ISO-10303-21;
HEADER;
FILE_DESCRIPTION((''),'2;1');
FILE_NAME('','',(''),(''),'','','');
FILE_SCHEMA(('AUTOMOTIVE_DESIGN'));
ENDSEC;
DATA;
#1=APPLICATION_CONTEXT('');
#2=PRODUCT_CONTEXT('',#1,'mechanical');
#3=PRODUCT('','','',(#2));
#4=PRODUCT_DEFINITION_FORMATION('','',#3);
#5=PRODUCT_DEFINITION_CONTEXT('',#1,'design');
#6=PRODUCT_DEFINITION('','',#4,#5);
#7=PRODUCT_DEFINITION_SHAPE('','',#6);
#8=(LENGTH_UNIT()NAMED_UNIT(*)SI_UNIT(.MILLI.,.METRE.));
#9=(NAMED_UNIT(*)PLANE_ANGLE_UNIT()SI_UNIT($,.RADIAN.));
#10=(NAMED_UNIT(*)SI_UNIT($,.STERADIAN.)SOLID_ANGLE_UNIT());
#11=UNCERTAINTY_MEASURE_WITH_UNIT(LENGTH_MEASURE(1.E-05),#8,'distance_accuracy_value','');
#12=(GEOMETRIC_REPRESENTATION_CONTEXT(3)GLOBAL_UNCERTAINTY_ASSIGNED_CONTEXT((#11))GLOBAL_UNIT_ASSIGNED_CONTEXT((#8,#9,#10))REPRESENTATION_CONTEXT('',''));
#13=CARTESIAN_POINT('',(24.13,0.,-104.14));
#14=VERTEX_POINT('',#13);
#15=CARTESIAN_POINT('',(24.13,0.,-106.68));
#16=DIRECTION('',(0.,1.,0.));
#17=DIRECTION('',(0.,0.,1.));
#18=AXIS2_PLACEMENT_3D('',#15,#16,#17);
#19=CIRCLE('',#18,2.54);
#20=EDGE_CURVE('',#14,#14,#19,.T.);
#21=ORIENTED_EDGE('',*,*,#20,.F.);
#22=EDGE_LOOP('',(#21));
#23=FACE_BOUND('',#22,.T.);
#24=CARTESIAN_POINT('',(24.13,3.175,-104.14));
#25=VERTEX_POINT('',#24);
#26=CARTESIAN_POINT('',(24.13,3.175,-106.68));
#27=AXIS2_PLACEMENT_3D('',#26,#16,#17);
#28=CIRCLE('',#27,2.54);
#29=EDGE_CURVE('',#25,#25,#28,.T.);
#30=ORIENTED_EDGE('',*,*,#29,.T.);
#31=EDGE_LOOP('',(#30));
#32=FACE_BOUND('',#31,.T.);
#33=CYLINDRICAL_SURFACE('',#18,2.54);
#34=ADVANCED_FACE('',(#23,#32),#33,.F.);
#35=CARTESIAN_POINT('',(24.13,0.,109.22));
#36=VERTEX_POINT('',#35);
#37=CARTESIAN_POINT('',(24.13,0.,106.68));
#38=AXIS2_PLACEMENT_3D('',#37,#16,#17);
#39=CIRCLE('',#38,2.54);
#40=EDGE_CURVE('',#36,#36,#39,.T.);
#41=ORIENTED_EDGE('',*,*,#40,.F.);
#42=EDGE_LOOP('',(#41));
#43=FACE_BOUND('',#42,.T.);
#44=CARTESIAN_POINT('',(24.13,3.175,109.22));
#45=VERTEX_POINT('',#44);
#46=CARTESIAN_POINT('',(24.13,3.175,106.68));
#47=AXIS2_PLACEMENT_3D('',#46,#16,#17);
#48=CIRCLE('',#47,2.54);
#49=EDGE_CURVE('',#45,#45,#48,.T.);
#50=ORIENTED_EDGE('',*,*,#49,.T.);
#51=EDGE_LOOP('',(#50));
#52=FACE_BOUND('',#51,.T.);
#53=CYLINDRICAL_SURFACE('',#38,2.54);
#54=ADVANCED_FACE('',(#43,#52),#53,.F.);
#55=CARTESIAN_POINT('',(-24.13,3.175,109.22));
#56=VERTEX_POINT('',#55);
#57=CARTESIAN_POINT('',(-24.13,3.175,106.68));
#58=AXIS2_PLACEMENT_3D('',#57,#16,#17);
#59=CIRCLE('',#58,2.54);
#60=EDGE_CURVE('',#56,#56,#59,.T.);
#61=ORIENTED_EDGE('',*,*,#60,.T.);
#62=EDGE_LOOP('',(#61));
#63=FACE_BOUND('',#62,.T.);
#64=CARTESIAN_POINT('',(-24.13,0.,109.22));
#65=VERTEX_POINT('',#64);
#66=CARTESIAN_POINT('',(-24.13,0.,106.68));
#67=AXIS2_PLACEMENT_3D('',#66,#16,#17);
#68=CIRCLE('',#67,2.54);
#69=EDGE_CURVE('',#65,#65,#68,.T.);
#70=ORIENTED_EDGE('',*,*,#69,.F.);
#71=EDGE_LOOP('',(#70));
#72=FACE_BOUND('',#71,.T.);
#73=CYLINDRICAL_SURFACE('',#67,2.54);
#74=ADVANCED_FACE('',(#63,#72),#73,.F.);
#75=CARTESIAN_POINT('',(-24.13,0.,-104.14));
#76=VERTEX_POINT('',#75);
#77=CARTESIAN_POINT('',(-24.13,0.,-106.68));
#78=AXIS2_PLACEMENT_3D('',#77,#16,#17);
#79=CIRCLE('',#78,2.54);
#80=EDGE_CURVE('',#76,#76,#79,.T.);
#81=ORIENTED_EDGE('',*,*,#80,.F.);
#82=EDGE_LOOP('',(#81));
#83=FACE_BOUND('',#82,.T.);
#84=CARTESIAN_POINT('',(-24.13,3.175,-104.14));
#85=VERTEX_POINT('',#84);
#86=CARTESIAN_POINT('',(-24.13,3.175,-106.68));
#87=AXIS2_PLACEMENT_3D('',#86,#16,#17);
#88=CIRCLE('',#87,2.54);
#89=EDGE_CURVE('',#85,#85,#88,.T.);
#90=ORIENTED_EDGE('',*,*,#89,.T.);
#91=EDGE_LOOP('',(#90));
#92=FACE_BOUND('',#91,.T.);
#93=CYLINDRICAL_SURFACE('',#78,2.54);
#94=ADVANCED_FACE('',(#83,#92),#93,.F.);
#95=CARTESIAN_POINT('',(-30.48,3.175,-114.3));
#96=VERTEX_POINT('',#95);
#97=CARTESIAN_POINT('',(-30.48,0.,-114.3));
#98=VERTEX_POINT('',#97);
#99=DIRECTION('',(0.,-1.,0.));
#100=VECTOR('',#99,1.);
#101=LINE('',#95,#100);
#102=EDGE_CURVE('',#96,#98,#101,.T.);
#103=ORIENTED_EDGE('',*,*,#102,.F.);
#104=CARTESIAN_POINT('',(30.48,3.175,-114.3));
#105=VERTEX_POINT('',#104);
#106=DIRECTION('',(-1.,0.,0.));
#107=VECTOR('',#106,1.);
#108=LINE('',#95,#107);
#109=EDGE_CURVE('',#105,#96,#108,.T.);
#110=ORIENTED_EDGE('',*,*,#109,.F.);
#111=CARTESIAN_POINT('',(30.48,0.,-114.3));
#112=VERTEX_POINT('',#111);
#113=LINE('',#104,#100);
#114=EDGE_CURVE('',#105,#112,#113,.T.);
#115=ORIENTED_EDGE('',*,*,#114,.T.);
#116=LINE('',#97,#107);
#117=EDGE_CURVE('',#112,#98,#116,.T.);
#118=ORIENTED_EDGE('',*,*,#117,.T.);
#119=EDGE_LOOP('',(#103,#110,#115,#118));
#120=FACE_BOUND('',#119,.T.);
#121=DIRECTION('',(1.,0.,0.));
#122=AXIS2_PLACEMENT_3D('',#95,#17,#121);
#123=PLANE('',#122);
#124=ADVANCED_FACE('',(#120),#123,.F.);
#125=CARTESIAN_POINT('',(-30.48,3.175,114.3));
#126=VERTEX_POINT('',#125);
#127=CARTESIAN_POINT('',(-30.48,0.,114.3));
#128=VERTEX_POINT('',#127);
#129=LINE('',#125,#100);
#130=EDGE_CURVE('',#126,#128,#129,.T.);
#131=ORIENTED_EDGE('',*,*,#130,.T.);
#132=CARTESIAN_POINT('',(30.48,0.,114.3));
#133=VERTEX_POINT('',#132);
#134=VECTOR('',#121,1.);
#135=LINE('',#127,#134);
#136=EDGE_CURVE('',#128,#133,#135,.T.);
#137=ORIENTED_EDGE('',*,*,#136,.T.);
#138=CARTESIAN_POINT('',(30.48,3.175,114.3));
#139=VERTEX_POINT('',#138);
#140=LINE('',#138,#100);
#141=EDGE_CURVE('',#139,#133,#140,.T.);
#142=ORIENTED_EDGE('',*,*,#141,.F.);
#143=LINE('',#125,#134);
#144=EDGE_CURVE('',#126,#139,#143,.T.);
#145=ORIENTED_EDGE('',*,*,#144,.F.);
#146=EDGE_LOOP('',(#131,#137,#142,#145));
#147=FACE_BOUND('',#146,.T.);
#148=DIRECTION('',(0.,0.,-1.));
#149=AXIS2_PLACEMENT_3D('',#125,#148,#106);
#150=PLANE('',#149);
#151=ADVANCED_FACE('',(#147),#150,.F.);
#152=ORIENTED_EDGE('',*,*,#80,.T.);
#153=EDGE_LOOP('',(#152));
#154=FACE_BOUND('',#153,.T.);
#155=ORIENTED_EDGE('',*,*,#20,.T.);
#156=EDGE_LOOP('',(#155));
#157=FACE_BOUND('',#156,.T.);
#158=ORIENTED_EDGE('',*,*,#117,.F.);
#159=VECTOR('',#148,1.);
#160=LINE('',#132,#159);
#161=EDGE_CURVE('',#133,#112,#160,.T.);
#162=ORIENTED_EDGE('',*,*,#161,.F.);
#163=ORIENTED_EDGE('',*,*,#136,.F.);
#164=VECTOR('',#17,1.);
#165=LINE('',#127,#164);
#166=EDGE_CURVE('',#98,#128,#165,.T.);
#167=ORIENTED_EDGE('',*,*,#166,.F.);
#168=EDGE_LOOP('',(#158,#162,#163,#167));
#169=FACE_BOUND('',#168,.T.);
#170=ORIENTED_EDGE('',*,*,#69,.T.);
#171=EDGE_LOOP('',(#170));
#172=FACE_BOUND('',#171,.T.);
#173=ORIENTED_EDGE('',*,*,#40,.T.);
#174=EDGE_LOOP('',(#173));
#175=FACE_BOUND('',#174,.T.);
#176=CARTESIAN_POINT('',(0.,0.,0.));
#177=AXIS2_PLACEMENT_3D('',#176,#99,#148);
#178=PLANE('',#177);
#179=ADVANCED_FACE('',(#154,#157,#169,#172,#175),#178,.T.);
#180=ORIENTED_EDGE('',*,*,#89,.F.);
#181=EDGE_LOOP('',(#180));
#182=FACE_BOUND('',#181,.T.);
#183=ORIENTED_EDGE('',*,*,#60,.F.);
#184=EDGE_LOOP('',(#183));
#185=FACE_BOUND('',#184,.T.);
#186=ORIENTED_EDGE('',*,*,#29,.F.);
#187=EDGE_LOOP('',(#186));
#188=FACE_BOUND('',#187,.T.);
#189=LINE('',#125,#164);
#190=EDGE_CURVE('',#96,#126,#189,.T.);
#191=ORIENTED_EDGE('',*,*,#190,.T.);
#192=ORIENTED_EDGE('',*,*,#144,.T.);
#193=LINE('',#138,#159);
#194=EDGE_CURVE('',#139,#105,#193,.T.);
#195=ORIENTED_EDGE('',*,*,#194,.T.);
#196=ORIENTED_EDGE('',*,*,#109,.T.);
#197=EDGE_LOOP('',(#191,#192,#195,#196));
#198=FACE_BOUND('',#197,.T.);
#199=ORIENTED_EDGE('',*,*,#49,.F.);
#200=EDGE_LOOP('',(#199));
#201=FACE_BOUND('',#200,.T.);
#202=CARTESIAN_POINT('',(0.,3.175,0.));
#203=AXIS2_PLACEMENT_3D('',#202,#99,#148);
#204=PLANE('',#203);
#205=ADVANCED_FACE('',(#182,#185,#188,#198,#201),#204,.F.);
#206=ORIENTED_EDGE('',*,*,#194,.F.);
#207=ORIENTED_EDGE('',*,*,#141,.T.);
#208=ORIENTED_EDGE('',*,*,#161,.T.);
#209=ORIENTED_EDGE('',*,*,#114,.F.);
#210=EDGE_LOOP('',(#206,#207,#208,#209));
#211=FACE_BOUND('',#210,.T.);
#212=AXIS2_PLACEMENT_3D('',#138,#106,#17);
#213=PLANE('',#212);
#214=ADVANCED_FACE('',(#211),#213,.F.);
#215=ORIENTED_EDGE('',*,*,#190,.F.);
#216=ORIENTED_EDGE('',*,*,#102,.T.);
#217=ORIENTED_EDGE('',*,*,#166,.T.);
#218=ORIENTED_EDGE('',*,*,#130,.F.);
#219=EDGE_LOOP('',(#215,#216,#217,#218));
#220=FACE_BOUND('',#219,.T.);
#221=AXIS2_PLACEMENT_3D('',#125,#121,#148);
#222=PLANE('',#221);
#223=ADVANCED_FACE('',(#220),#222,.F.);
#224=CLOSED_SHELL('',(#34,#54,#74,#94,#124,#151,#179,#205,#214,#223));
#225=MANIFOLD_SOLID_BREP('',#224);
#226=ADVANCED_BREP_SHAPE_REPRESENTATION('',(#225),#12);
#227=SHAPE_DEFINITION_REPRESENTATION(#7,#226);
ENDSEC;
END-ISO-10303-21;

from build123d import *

# Parameters (mm, degrees)
SKETCH1_W           = 60.96
SKETCH1_H           = 228.6
BOSS_EXTRUDE1_DEPTH = 3.175
SKETCH2_R           = 2.54
CUT_EXTRUDE1_DEPTH  = 119.336811792


with BuildPart() as part:
    # Sketch1 → Boss-Extrude1 (new body)
    with BuildSketch(Plane(origin=(0, 0, 0), x_dir=(1, 0, 0), z_dir=(0, 1, 0))):
        Rectangle(SKETCH1_W, SKETCH1_H)
    extrude(amount=BOSS_EXTRUDE1_DEPTH)

    # Sketch2 → Cut-Extrude1 (cut, through all)
    with BuildSketch(Plane(origin=(0, 3.175, 0), x_dir=(1, 0, 0), z_dir=(0, 1, 0))):
        with Locations(Location((24.13, 106.68, 0), (0, 0, 270))):
            Circle(SKETCH2_R)
        with Locations(Location((-24.13, 106.68, 0), (0, 0, 270))):
            Circle(SKETCH2_R)
        with Locations(Location((-24.13, -106.68, 0), (0, 0, 270))):
            Circle(SKETCH2_R)
        with Locations(Location((24.13, -106.68, 0), (0, 0, 270))):
            Circle(SKETCH2_R)
    extrude(amount=-CUT_EXTRUDE1_DEPTH, mode=Mode.SUBTRACT)


solid = part.part
